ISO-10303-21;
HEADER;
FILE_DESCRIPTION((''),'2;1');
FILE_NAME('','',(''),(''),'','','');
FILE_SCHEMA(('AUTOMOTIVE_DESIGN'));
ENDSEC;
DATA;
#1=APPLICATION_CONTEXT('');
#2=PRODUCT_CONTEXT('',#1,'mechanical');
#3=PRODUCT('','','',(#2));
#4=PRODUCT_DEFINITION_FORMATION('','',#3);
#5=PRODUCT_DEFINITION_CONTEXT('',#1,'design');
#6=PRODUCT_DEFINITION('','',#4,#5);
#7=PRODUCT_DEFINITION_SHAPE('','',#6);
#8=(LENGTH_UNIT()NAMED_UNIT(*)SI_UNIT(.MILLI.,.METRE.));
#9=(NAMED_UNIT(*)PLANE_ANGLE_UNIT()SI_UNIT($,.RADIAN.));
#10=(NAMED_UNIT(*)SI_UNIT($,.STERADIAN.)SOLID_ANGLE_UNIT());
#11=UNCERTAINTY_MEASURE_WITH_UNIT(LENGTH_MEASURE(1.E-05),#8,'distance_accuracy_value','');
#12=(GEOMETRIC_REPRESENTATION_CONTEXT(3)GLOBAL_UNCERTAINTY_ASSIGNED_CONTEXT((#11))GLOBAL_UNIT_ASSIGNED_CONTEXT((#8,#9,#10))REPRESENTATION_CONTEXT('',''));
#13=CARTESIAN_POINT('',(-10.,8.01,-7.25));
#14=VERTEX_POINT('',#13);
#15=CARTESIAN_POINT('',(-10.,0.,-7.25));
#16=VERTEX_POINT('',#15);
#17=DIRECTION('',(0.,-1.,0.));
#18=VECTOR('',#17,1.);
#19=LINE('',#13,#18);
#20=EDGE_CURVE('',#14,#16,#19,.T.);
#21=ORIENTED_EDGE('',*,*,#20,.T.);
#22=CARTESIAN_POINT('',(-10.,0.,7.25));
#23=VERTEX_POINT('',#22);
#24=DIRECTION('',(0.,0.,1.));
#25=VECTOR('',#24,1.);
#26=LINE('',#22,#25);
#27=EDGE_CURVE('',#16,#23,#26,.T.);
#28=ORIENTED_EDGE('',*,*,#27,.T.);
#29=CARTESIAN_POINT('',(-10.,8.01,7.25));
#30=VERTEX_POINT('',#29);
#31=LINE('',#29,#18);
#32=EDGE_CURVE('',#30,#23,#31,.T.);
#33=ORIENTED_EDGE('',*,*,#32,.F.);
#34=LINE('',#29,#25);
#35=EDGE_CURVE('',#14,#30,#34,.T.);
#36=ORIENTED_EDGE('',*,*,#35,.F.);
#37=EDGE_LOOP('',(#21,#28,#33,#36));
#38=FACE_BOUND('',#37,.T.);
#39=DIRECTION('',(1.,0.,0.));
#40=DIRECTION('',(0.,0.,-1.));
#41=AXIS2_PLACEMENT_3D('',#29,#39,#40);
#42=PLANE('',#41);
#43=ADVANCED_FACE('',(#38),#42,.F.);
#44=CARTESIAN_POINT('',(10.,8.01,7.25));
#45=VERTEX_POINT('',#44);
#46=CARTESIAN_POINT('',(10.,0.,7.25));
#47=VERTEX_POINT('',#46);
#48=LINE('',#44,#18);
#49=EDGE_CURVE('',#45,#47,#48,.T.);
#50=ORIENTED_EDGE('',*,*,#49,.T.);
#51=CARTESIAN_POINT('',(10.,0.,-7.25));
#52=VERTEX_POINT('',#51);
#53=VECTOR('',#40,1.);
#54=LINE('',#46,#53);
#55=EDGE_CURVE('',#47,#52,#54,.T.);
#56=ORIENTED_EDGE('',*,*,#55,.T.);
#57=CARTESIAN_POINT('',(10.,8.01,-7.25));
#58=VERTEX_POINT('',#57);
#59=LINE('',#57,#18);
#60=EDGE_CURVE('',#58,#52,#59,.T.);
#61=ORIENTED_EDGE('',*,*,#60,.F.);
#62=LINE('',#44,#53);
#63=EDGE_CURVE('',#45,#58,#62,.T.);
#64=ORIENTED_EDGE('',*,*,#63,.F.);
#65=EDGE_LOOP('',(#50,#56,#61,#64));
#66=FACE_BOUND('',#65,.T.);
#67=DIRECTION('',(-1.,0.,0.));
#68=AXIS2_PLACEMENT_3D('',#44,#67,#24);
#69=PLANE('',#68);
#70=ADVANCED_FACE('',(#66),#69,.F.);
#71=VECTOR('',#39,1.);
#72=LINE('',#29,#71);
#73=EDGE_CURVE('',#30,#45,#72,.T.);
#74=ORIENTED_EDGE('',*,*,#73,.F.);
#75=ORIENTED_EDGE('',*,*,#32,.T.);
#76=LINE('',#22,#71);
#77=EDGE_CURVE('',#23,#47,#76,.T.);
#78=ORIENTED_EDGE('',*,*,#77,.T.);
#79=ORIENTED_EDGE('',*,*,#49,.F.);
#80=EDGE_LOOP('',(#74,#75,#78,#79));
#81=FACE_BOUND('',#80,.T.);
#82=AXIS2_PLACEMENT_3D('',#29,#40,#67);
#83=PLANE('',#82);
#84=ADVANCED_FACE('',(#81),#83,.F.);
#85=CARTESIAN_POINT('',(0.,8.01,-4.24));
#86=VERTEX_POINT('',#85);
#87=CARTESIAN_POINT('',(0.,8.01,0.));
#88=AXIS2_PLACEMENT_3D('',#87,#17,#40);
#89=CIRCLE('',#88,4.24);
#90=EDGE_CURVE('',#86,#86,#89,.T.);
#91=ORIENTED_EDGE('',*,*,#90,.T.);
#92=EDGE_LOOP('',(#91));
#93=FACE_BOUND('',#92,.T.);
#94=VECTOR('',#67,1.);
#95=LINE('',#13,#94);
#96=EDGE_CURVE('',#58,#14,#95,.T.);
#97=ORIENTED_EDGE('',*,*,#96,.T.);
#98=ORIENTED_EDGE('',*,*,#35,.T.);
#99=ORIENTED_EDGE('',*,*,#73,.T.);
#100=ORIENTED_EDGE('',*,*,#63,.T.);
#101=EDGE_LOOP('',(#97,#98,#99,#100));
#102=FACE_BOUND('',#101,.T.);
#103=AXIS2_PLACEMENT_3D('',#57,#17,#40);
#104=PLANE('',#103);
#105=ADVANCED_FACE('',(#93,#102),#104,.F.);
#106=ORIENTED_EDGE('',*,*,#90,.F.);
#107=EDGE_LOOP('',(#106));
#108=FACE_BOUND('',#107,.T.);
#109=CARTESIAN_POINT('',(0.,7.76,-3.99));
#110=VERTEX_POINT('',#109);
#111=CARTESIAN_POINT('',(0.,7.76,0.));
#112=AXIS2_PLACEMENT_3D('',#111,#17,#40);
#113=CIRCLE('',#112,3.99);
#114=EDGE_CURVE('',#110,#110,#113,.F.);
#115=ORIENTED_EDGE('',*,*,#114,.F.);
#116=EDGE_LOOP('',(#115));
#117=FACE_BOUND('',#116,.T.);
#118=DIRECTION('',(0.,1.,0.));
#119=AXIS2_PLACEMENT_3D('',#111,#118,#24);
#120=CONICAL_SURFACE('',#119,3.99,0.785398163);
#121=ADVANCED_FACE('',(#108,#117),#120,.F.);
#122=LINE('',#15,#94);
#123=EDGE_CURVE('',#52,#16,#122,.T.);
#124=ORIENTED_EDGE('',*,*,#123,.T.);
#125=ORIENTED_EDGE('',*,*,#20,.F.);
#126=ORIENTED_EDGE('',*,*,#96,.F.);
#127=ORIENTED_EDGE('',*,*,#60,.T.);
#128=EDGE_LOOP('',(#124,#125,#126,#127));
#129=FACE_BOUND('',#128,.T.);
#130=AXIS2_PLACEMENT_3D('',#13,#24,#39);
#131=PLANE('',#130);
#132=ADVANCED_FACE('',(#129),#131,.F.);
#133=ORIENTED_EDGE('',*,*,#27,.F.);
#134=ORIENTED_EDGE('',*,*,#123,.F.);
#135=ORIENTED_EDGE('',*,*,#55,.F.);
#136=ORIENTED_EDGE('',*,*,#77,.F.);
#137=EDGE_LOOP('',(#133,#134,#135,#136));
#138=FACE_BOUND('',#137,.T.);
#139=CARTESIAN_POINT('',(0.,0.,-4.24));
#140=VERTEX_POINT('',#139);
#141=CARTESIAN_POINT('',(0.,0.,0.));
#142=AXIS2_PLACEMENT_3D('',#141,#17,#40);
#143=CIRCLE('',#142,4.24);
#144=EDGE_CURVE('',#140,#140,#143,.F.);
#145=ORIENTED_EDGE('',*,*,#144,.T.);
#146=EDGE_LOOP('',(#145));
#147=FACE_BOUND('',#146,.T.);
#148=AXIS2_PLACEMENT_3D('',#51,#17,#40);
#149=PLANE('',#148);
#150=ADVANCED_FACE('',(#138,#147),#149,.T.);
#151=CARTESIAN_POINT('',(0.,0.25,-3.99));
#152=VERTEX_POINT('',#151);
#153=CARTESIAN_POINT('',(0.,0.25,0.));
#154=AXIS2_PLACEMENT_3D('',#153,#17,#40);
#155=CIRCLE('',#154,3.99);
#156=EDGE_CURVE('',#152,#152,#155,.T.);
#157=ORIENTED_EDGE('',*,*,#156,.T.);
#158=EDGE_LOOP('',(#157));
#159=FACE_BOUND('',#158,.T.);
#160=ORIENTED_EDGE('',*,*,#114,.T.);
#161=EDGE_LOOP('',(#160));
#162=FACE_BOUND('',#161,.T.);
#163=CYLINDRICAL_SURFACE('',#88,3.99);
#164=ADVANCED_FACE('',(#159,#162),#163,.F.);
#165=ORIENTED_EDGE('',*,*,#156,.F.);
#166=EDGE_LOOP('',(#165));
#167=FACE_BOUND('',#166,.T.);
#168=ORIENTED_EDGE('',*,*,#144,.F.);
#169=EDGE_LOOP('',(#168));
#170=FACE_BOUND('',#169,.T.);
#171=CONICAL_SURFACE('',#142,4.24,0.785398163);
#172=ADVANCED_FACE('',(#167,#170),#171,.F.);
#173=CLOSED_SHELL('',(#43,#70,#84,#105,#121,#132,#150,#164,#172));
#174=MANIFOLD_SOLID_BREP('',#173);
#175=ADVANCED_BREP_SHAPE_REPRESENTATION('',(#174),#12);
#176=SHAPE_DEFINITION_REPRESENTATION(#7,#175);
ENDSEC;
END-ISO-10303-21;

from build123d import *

# Parameters (mm, degrees)
SKETCH1_W      = 20
SKETCH1_H      = 14.5
SKETCH1_R      = 3.99
EXTRUDE1_DEPTH = 8.01
CHAMFER1_SIZE  = 0.25


with BuildPart() as part:
    # Sketch1 → Extrude1 (new body)
    with BuildSketch(Plane(origin=(0, 0, 0), x_dir=(1, 0, 0), z_dir=(0, 1, 0))):
        Rectangle(SKETCH1_W, SKETCH1_H)
        with Locations(Location((0, 0, 0), (0, 0, 270))):  # turned: the seam where the file's is
            Circle(SKETCH1_R, mode=Mode.SUBTRACT)
    extrude(amount=EXTRUDE1_DEPTH)

    # Chamfer1
    chamfer1_edges = [part.edges().sort_by_distance(p)[0] for p in [
        (0, 0, -3.99),
        (0, 8.01, -3.99),
    ]]
    chamfer(chamfer1_edges, length=CHAMFER1_SIZE)


solid = part.part
